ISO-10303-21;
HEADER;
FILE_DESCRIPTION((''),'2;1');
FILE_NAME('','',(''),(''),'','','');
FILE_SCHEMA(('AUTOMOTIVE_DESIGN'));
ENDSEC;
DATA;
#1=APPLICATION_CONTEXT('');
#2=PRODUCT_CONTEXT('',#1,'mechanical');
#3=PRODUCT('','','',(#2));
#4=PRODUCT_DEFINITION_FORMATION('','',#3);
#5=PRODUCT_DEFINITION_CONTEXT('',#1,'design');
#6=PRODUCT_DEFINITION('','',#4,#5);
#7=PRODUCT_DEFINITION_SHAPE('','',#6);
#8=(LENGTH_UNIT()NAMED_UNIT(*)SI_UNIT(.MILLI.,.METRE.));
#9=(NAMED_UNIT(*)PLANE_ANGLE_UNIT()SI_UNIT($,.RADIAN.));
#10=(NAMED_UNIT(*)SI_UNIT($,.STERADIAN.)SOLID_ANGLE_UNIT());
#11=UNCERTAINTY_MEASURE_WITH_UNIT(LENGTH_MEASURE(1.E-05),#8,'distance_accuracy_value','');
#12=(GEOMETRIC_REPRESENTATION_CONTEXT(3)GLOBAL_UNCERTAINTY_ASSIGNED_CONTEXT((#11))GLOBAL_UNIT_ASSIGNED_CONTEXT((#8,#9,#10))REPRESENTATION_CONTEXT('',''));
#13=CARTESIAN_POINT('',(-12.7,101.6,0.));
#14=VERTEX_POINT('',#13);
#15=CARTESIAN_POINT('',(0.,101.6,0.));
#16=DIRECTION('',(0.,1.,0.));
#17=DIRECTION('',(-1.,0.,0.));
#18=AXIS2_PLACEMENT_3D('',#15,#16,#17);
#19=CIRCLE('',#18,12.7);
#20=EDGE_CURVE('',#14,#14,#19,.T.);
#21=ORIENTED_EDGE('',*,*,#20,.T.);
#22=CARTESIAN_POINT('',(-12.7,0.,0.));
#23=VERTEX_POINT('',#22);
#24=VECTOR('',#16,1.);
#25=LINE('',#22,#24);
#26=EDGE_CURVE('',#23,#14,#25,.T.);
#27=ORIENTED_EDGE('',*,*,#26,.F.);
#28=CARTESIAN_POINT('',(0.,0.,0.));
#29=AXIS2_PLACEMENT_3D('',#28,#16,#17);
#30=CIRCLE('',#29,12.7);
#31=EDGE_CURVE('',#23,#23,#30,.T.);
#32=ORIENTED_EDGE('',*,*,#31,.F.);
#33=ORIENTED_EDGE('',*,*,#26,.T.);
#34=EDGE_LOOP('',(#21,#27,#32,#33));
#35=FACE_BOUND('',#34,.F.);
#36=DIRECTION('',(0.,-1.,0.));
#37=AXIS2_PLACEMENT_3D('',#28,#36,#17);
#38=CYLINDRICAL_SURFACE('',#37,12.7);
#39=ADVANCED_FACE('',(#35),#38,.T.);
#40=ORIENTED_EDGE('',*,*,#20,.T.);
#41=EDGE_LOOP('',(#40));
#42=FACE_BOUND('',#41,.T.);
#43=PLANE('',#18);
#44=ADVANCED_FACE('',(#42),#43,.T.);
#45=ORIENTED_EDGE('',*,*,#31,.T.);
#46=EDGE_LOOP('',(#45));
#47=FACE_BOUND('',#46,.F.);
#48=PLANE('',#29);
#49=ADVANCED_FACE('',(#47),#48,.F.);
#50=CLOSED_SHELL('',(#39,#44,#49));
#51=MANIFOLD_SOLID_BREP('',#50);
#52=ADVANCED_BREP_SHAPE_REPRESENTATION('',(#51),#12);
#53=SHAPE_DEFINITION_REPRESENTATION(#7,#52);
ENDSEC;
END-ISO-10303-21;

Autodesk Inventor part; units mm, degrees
ref_plane "YZ Plane" through (0, 0, 0) normal (1, 0, 0) x (0, 1, 0)
ref_plane "XZ Plane" through (0, 0, 0) normal (0, 1, 0) x (-1, 0, 0)
ref_plane "XY Plane" through (0, 0, 0) normal (0, 0, 1) x (1, 0, 0)
sketch "Sketch1" plane through (0, 0, 0) normal (0, 1, 0) x (-1, 0, 0)
  circle A0 centre (0, 0) radius 12.7
  dimension "d0" = 25.4
extrude "Extrusion1" add sketch "Sketch1" along normal blind 101.6
properties part number "Chalk" material "Concrete"
